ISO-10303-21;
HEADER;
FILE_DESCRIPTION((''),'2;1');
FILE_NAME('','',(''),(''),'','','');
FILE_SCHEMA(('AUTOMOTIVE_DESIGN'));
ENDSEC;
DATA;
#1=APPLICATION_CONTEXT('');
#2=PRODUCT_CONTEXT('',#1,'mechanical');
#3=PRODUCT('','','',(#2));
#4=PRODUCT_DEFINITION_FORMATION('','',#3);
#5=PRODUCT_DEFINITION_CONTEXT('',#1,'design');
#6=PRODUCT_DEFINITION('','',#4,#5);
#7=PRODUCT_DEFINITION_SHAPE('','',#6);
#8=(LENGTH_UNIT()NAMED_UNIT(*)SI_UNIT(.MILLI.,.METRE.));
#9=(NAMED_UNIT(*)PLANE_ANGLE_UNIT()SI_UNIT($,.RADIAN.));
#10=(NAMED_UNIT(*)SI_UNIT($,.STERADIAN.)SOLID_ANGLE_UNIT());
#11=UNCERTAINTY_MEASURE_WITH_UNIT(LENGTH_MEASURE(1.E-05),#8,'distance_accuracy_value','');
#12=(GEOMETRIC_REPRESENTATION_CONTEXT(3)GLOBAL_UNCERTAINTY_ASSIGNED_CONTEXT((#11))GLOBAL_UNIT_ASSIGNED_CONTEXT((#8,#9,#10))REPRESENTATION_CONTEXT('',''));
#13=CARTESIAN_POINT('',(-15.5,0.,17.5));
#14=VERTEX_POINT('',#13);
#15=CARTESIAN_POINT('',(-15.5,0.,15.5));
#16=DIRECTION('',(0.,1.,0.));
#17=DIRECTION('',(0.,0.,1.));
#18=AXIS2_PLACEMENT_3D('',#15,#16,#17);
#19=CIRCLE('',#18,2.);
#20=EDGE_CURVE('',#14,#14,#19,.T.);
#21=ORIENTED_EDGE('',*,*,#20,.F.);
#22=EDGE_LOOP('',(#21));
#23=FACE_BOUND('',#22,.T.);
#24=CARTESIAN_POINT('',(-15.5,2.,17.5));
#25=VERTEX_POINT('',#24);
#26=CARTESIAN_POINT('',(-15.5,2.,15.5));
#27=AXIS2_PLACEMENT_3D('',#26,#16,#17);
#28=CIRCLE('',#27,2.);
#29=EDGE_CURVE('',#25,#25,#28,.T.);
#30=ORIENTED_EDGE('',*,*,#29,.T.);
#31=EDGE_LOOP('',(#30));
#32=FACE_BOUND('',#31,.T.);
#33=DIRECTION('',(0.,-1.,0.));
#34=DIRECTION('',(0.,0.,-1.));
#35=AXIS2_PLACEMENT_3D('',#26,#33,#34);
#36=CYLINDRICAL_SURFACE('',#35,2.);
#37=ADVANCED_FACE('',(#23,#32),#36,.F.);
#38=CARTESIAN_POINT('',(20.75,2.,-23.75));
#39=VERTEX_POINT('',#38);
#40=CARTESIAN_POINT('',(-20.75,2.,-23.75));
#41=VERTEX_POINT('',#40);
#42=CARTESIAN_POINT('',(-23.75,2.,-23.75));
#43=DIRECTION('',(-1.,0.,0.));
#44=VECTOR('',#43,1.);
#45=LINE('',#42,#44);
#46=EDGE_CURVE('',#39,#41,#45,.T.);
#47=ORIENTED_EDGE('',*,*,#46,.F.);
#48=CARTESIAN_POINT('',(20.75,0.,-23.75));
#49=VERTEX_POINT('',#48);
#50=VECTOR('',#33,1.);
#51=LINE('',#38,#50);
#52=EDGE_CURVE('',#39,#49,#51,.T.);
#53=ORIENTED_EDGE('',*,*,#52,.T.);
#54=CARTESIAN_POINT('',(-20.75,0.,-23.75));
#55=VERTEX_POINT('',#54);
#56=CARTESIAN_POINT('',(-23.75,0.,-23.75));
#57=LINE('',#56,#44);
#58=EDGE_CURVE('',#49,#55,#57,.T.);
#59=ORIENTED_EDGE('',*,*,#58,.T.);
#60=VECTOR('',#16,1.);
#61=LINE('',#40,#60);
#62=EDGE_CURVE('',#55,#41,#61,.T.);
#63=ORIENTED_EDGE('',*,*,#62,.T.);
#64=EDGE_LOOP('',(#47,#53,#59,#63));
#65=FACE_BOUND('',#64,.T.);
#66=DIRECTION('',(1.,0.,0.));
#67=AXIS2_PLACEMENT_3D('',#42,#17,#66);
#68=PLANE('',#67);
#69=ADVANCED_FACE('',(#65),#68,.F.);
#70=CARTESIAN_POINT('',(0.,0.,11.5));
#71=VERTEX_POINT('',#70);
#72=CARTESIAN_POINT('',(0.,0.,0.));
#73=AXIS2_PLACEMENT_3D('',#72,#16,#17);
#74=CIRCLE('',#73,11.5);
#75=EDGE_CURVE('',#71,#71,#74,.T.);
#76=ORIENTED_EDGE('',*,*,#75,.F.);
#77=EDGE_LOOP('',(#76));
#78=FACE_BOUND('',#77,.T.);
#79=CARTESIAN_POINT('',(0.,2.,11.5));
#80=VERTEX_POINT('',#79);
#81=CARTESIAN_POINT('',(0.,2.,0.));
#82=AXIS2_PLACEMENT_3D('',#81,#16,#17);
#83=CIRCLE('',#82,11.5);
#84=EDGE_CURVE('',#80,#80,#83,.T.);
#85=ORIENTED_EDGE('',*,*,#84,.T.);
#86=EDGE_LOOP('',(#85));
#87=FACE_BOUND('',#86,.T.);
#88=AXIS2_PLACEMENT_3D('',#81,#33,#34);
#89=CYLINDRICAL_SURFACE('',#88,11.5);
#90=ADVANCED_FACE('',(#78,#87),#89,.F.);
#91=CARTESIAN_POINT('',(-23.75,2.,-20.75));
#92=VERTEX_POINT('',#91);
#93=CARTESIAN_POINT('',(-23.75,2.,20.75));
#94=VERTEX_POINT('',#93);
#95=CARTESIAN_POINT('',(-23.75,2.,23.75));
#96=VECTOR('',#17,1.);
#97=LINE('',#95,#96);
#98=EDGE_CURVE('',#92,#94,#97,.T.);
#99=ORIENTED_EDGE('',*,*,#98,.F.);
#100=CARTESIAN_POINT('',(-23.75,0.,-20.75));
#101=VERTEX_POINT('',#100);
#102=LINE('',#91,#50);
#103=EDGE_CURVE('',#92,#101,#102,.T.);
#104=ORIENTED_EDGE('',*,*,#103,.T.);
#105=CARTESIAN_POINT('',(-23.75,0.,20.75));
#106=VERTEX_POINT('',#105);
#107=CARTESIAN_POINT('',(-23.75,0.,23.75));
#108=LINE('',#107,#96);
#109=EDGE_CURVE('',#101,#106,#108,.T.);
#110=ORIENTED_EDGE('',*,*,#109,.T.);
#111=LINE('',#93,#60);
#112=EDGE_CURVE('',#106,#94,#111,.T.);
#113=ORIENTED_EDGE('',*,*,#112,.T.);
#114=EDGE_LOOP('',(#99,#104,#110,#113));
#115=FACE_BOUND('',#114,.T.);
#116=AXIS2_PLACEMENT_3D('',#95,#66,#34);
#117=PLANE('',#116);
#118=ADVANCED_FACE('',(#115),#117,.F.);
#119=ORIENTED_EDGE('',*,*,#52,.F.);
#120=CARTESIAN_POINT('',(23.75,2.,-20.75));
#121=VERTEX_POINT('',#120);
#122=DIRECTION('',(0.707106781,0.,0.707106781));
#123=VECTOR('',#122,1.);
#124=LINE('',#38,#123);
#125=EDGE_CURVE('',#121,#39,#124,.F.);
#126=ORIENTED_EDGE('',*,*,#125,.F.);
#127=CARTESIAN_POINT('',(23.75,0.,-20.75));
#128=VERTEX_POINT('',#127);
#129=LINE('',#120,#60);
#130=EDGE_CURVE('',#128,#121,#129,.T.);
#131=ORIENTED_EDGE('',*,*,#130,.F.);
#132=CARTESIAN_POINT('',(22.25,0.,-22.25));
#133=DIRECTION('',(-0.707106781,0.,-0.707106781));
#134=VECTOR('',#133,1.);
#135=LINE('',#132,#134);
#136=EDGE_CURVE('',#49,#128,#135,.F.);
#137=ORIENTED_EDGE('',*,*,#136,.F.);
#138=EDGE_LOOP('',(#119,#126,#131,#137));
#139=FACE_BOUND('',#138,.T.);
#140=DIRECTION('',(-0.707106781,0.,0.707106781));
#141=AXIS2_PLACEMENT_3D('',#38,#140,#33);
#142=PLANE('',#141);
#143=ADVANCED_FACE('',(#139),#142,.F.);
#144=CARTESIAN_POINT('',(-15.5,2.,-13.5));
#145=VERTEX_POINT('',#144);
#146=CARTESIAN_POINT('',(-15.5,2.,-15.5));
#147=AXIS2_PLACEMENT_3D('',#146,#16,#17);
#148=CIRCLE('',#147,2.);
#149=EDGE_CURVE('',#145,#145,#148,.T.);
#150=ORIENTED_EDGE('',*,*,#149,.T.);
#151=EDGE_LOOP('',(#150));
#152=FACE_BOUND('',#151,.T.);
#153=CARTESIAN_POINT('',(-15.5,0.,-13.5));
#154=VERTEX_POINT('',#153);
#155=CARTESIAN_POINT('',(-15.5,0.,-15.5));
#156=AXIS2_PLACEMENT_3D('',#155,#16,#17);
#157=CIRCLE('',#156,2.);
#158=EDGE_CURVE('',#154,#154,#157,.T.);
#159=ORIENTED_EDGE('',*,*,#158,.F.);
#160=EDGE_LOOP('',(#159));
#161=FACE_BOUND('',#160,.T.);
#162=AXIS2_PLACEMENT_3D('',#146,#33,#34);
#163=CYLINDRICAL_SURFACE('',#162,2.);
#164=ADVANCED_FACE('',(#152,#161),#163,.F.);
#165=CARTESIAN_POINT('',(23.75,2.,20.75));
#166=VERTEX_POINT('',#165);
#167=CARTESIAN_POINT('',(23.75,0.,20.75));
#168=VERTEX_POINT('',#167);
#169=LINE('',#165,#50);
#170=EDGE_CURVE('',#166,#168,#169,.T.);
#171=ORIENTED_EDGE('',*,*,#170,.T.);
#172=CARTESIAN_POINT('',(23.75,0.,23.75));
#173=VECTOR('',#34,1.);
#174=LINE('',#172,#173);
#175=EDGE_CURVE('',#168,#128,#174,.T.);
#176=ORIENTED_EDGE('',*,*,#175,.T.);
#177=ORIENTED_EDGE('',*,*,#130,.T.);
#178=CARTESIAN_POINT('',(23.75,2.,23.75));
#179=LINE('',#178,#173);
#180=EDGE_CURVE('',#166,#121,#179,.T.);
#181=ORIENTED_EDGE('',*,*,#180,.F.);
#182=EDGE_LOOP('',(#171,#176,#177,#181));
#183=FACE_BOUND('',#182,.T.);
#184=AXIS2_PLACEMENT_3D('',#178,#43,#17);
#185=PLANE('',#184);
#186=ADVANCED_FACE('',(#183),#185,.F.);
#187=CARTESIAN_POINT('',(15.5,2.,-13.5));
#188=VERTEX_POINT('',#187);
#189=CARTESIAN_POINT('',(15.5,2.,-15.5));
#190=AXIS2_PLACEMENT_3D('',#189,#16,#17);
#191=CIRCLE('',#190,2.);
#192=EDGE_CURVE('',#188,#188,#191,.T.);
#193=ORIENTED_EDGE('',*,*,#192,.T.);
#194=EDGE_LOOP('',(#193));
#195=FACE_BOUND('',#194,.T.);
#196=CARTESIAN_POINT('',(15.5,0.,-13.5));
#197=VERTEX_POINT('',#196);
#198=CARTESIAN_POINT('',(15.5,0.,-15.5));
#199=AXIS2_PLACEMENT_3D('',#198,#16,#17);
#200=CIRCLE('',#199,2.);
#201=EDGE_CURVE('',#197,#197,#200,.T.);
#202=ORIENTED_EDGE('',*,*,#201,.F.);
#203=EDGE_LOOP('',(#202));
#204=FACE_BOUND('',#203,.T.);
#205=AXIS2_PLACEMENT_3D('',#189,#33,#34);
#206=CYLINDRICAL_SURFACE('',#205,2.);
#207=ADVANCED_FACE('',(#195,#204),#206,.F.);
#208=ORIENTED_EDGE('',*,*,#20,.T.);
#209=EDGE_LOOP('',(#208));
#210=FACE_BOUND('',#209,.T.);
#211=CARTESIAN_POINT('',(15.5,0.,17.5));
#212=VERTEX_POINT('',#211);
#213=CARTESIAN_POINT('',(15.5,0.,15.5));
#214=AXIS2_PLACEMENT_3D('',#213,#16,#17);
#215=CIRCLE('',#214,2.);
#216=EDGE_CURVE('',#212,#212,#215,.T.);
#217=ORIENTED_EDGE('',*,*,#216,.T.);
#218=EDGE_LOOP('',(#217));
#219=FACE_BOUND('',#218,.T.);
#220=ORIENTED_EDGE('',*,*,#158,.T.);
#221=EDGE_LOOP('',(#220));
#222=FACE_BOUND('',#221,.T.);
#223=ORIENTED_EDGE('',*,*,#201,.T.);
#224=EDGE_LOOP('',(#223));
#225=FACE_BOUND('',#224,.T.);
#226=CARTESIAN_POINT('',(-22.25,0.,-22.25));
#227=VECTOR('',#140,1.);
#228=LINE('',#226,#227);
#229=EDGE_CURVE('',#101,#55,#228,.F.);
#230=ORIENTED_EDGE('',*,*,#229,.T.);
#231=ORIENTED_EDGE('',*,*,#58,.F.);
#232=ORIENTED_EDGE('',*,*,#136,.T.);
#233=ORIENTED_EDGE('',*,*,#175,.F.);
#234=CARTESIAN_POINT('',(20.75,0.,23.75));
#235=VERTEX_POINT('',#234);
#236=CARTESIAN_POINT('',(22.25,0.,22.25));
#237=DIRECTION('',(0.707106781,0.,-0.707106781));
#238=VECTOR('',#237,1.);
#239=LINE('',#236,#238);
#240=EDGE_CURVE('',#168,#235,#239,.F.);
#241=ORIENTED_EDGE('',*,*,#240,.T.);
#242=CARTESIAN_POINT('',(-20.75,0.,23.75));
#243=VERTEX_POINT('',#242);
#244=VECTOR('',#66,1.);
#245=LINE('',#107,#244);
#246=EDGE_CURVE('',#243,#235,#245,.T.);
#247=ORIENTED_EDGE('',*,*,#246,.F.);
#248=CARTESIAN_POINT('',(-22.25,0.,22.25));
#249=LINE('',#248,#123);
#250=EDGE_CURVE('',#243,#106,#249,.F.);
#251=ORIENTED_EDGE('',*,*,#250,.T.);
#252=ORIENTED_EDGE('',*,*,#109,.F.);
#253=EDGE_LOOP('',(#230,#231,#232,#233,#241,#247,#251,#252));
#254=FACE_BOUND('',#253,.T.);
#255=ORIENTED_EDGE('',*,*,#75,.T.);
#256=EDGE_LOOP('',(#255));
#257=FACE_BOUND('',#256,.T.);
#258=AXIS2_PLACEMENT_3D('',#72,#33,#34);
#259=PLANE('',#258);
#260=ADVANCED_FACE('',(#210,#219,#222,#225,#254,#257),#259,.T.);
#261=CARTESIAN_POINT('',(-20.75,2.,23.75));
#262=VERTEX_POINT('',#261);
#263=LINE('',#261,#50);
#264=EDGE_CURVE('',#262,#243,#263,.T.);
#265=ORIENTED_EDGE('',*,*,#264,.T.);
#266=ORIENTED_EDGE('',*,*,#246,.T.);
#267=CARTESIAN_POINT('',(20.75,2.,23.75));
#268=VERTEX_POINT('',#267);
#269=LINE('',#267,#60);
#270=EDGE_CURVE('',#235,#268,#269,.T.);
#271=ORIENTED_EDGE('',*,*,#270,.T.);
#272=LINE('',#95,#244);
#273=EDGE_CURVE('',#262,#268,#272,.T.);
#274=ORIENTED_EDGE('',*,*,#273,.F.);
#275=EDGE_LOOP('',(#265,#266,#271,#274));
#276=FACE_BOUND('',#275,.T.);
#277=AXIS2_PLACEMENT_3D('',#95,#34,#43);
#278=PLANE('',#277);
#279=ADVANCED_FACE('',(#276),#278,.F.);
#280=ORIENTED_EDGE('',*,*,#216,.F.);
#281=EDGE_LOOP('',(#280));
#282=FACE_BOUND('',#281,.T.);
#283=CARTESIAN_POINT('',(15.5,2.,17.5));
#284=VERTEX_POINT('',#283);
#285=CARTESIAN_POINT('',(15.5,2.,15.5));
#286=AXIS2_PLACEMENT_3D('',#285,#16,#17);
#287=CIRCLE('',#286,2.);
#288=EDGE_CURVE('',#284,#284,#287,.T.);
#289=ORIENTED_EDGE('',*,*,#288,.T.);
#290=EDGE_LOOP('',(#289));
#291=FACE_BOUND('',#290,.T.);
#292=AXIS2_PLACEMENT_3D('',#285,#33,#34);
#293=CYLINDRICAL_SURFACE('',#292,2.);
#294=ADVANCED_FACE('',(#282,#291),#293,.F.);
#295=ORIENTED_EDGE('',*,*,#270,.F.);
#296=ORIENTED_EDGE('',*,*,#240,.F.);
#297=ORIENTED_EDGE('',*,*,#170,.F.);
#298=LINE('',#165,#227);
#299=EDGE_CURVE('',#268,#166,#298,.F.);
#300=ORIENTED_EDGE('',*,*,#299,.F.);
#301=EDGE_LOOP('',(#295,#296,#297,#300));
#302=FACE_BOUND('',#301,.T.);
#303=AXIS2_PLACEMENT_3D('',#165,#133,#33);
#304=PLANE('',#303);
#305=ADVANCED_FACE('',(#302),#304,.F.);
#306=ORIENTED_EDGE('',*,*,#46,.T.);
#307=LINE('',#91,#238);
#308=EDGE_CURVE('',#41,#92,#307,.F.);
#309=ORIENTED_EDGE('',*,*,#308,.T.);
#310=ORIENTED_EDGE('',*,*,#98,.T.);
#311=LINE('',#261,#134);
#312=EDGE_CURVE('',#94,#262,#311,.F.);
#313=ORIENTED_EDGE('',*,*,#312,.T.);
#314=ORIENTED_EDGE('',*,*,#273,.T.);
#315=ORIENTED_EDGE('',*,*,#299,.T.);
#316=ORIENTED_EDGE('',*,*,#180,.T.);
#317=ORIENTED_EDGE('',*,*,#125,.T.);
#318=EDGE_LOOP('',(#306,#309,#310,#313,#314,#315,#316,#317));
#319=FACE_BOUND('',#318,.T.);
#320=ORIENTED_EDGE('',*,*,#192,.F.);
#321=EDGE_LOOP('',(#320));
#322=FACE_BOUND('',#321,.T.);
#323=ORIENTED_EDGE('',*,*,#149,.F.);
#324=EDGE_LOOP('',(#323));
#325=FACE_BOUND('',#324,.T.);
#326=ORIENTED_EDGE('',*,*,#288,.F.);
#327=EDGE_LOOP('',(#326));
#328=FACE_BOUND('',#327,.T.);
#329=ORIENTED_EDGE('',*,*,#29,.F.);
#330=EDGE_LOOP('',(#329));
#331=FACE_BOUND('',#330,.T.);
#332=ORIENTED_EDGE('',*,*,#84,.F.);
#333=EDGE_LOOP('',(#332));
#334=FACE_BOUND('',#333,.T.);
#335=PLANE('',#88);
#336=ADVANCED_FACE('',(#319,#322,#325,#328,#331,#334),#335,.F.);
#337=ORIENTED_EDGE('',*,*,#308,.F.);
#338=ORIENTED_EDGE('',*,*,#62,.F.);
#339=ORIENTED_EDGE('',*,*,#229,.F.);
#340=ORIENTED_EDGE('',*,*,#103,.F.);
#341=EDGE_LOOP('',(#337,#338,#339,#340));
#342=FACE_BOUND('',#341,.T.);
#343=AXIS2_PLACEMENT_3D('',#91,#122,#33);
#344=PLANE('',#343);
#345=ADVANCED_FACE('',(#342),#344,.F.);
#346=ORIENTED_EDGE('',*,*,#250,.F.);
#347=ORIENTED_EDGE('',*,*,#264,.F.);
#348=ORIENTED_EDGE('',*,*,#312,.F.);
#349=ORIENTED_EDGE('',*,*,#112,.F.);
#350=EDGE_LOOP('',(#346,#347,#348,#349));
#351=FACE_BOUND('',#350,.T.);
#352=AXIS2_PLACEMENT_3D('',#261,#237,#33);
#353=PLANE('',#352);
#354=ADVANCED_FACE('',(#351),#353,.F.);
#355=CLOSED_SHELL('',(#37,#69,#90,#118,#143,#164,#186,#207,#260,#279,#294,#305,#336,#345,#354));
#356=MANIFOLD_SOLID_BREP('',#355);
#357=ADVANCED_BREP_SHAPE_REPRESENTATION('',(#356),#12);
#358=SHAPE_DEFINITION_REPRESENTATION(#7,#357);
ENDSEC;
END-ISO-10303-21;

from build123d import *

# Parameters (mm, degrees)
SKETCH2_W           = 47.5
SKETCH2_H           = 47.5
SKETCH2_R           = 2
SKETCH2_R_2         = 11.5
BOSS_EXTRUDE1_DEPTH = 2
CHAMFER1_SIZE       = 3


with BuildPart() as part:
    # Sketch2 → Boss-Extrude1 (new body)
    with BuildSketch(Plane(origin=(0, 0, 0), x_dir=(1, 0, 0), z_dir=(0, 1, 0))):
        Rectangle(SKETCH2_W, SKETCH2_H)
        with Locations(Location((-15.5, 15.5, 0), (0, 0, 270))):
            Circle(SKETCH2_R, mode=Mode.SUBTRACT)
        with Locations(Location((15.5, 15.5, 0), (0, 0, 270))):
            Circle(SKETCH2_R, mode=Mode.SUBTRACT)
        with Locations(Location((15.5, -15.5, 0), (0, 0, 270))):
            Circle(SKETCH2_R, mode=Mode.SUBTRACT)
        with Locations(Location((-15.5, -15.5, 0), (0, 0, 270))):
            Circle(SKETCH2_R, mode=Mode.SUBTRACT)
        with Locations(Location((0, 0, 0), (0, 0, 270))):
            Circle(SKETCH2_R_2, mode=Mode.SUBTRACT)
    extrude(amount=BOSS_EXTRUDE1_DEPTH)

    # Chamfer1
    chamfer1_edges = [part.edges().sort_by_distance(p)[0] for p in [
        (23.75, 1, 23.75),
        (-23.75, 1, 23.75),
        (-23.75, 1, -23.75),
        (23.75, 1, -23.75),
    ]]
    chamfer(chamfer1_edges, length=CHAMFER1_SIZE)


solid = part.part
